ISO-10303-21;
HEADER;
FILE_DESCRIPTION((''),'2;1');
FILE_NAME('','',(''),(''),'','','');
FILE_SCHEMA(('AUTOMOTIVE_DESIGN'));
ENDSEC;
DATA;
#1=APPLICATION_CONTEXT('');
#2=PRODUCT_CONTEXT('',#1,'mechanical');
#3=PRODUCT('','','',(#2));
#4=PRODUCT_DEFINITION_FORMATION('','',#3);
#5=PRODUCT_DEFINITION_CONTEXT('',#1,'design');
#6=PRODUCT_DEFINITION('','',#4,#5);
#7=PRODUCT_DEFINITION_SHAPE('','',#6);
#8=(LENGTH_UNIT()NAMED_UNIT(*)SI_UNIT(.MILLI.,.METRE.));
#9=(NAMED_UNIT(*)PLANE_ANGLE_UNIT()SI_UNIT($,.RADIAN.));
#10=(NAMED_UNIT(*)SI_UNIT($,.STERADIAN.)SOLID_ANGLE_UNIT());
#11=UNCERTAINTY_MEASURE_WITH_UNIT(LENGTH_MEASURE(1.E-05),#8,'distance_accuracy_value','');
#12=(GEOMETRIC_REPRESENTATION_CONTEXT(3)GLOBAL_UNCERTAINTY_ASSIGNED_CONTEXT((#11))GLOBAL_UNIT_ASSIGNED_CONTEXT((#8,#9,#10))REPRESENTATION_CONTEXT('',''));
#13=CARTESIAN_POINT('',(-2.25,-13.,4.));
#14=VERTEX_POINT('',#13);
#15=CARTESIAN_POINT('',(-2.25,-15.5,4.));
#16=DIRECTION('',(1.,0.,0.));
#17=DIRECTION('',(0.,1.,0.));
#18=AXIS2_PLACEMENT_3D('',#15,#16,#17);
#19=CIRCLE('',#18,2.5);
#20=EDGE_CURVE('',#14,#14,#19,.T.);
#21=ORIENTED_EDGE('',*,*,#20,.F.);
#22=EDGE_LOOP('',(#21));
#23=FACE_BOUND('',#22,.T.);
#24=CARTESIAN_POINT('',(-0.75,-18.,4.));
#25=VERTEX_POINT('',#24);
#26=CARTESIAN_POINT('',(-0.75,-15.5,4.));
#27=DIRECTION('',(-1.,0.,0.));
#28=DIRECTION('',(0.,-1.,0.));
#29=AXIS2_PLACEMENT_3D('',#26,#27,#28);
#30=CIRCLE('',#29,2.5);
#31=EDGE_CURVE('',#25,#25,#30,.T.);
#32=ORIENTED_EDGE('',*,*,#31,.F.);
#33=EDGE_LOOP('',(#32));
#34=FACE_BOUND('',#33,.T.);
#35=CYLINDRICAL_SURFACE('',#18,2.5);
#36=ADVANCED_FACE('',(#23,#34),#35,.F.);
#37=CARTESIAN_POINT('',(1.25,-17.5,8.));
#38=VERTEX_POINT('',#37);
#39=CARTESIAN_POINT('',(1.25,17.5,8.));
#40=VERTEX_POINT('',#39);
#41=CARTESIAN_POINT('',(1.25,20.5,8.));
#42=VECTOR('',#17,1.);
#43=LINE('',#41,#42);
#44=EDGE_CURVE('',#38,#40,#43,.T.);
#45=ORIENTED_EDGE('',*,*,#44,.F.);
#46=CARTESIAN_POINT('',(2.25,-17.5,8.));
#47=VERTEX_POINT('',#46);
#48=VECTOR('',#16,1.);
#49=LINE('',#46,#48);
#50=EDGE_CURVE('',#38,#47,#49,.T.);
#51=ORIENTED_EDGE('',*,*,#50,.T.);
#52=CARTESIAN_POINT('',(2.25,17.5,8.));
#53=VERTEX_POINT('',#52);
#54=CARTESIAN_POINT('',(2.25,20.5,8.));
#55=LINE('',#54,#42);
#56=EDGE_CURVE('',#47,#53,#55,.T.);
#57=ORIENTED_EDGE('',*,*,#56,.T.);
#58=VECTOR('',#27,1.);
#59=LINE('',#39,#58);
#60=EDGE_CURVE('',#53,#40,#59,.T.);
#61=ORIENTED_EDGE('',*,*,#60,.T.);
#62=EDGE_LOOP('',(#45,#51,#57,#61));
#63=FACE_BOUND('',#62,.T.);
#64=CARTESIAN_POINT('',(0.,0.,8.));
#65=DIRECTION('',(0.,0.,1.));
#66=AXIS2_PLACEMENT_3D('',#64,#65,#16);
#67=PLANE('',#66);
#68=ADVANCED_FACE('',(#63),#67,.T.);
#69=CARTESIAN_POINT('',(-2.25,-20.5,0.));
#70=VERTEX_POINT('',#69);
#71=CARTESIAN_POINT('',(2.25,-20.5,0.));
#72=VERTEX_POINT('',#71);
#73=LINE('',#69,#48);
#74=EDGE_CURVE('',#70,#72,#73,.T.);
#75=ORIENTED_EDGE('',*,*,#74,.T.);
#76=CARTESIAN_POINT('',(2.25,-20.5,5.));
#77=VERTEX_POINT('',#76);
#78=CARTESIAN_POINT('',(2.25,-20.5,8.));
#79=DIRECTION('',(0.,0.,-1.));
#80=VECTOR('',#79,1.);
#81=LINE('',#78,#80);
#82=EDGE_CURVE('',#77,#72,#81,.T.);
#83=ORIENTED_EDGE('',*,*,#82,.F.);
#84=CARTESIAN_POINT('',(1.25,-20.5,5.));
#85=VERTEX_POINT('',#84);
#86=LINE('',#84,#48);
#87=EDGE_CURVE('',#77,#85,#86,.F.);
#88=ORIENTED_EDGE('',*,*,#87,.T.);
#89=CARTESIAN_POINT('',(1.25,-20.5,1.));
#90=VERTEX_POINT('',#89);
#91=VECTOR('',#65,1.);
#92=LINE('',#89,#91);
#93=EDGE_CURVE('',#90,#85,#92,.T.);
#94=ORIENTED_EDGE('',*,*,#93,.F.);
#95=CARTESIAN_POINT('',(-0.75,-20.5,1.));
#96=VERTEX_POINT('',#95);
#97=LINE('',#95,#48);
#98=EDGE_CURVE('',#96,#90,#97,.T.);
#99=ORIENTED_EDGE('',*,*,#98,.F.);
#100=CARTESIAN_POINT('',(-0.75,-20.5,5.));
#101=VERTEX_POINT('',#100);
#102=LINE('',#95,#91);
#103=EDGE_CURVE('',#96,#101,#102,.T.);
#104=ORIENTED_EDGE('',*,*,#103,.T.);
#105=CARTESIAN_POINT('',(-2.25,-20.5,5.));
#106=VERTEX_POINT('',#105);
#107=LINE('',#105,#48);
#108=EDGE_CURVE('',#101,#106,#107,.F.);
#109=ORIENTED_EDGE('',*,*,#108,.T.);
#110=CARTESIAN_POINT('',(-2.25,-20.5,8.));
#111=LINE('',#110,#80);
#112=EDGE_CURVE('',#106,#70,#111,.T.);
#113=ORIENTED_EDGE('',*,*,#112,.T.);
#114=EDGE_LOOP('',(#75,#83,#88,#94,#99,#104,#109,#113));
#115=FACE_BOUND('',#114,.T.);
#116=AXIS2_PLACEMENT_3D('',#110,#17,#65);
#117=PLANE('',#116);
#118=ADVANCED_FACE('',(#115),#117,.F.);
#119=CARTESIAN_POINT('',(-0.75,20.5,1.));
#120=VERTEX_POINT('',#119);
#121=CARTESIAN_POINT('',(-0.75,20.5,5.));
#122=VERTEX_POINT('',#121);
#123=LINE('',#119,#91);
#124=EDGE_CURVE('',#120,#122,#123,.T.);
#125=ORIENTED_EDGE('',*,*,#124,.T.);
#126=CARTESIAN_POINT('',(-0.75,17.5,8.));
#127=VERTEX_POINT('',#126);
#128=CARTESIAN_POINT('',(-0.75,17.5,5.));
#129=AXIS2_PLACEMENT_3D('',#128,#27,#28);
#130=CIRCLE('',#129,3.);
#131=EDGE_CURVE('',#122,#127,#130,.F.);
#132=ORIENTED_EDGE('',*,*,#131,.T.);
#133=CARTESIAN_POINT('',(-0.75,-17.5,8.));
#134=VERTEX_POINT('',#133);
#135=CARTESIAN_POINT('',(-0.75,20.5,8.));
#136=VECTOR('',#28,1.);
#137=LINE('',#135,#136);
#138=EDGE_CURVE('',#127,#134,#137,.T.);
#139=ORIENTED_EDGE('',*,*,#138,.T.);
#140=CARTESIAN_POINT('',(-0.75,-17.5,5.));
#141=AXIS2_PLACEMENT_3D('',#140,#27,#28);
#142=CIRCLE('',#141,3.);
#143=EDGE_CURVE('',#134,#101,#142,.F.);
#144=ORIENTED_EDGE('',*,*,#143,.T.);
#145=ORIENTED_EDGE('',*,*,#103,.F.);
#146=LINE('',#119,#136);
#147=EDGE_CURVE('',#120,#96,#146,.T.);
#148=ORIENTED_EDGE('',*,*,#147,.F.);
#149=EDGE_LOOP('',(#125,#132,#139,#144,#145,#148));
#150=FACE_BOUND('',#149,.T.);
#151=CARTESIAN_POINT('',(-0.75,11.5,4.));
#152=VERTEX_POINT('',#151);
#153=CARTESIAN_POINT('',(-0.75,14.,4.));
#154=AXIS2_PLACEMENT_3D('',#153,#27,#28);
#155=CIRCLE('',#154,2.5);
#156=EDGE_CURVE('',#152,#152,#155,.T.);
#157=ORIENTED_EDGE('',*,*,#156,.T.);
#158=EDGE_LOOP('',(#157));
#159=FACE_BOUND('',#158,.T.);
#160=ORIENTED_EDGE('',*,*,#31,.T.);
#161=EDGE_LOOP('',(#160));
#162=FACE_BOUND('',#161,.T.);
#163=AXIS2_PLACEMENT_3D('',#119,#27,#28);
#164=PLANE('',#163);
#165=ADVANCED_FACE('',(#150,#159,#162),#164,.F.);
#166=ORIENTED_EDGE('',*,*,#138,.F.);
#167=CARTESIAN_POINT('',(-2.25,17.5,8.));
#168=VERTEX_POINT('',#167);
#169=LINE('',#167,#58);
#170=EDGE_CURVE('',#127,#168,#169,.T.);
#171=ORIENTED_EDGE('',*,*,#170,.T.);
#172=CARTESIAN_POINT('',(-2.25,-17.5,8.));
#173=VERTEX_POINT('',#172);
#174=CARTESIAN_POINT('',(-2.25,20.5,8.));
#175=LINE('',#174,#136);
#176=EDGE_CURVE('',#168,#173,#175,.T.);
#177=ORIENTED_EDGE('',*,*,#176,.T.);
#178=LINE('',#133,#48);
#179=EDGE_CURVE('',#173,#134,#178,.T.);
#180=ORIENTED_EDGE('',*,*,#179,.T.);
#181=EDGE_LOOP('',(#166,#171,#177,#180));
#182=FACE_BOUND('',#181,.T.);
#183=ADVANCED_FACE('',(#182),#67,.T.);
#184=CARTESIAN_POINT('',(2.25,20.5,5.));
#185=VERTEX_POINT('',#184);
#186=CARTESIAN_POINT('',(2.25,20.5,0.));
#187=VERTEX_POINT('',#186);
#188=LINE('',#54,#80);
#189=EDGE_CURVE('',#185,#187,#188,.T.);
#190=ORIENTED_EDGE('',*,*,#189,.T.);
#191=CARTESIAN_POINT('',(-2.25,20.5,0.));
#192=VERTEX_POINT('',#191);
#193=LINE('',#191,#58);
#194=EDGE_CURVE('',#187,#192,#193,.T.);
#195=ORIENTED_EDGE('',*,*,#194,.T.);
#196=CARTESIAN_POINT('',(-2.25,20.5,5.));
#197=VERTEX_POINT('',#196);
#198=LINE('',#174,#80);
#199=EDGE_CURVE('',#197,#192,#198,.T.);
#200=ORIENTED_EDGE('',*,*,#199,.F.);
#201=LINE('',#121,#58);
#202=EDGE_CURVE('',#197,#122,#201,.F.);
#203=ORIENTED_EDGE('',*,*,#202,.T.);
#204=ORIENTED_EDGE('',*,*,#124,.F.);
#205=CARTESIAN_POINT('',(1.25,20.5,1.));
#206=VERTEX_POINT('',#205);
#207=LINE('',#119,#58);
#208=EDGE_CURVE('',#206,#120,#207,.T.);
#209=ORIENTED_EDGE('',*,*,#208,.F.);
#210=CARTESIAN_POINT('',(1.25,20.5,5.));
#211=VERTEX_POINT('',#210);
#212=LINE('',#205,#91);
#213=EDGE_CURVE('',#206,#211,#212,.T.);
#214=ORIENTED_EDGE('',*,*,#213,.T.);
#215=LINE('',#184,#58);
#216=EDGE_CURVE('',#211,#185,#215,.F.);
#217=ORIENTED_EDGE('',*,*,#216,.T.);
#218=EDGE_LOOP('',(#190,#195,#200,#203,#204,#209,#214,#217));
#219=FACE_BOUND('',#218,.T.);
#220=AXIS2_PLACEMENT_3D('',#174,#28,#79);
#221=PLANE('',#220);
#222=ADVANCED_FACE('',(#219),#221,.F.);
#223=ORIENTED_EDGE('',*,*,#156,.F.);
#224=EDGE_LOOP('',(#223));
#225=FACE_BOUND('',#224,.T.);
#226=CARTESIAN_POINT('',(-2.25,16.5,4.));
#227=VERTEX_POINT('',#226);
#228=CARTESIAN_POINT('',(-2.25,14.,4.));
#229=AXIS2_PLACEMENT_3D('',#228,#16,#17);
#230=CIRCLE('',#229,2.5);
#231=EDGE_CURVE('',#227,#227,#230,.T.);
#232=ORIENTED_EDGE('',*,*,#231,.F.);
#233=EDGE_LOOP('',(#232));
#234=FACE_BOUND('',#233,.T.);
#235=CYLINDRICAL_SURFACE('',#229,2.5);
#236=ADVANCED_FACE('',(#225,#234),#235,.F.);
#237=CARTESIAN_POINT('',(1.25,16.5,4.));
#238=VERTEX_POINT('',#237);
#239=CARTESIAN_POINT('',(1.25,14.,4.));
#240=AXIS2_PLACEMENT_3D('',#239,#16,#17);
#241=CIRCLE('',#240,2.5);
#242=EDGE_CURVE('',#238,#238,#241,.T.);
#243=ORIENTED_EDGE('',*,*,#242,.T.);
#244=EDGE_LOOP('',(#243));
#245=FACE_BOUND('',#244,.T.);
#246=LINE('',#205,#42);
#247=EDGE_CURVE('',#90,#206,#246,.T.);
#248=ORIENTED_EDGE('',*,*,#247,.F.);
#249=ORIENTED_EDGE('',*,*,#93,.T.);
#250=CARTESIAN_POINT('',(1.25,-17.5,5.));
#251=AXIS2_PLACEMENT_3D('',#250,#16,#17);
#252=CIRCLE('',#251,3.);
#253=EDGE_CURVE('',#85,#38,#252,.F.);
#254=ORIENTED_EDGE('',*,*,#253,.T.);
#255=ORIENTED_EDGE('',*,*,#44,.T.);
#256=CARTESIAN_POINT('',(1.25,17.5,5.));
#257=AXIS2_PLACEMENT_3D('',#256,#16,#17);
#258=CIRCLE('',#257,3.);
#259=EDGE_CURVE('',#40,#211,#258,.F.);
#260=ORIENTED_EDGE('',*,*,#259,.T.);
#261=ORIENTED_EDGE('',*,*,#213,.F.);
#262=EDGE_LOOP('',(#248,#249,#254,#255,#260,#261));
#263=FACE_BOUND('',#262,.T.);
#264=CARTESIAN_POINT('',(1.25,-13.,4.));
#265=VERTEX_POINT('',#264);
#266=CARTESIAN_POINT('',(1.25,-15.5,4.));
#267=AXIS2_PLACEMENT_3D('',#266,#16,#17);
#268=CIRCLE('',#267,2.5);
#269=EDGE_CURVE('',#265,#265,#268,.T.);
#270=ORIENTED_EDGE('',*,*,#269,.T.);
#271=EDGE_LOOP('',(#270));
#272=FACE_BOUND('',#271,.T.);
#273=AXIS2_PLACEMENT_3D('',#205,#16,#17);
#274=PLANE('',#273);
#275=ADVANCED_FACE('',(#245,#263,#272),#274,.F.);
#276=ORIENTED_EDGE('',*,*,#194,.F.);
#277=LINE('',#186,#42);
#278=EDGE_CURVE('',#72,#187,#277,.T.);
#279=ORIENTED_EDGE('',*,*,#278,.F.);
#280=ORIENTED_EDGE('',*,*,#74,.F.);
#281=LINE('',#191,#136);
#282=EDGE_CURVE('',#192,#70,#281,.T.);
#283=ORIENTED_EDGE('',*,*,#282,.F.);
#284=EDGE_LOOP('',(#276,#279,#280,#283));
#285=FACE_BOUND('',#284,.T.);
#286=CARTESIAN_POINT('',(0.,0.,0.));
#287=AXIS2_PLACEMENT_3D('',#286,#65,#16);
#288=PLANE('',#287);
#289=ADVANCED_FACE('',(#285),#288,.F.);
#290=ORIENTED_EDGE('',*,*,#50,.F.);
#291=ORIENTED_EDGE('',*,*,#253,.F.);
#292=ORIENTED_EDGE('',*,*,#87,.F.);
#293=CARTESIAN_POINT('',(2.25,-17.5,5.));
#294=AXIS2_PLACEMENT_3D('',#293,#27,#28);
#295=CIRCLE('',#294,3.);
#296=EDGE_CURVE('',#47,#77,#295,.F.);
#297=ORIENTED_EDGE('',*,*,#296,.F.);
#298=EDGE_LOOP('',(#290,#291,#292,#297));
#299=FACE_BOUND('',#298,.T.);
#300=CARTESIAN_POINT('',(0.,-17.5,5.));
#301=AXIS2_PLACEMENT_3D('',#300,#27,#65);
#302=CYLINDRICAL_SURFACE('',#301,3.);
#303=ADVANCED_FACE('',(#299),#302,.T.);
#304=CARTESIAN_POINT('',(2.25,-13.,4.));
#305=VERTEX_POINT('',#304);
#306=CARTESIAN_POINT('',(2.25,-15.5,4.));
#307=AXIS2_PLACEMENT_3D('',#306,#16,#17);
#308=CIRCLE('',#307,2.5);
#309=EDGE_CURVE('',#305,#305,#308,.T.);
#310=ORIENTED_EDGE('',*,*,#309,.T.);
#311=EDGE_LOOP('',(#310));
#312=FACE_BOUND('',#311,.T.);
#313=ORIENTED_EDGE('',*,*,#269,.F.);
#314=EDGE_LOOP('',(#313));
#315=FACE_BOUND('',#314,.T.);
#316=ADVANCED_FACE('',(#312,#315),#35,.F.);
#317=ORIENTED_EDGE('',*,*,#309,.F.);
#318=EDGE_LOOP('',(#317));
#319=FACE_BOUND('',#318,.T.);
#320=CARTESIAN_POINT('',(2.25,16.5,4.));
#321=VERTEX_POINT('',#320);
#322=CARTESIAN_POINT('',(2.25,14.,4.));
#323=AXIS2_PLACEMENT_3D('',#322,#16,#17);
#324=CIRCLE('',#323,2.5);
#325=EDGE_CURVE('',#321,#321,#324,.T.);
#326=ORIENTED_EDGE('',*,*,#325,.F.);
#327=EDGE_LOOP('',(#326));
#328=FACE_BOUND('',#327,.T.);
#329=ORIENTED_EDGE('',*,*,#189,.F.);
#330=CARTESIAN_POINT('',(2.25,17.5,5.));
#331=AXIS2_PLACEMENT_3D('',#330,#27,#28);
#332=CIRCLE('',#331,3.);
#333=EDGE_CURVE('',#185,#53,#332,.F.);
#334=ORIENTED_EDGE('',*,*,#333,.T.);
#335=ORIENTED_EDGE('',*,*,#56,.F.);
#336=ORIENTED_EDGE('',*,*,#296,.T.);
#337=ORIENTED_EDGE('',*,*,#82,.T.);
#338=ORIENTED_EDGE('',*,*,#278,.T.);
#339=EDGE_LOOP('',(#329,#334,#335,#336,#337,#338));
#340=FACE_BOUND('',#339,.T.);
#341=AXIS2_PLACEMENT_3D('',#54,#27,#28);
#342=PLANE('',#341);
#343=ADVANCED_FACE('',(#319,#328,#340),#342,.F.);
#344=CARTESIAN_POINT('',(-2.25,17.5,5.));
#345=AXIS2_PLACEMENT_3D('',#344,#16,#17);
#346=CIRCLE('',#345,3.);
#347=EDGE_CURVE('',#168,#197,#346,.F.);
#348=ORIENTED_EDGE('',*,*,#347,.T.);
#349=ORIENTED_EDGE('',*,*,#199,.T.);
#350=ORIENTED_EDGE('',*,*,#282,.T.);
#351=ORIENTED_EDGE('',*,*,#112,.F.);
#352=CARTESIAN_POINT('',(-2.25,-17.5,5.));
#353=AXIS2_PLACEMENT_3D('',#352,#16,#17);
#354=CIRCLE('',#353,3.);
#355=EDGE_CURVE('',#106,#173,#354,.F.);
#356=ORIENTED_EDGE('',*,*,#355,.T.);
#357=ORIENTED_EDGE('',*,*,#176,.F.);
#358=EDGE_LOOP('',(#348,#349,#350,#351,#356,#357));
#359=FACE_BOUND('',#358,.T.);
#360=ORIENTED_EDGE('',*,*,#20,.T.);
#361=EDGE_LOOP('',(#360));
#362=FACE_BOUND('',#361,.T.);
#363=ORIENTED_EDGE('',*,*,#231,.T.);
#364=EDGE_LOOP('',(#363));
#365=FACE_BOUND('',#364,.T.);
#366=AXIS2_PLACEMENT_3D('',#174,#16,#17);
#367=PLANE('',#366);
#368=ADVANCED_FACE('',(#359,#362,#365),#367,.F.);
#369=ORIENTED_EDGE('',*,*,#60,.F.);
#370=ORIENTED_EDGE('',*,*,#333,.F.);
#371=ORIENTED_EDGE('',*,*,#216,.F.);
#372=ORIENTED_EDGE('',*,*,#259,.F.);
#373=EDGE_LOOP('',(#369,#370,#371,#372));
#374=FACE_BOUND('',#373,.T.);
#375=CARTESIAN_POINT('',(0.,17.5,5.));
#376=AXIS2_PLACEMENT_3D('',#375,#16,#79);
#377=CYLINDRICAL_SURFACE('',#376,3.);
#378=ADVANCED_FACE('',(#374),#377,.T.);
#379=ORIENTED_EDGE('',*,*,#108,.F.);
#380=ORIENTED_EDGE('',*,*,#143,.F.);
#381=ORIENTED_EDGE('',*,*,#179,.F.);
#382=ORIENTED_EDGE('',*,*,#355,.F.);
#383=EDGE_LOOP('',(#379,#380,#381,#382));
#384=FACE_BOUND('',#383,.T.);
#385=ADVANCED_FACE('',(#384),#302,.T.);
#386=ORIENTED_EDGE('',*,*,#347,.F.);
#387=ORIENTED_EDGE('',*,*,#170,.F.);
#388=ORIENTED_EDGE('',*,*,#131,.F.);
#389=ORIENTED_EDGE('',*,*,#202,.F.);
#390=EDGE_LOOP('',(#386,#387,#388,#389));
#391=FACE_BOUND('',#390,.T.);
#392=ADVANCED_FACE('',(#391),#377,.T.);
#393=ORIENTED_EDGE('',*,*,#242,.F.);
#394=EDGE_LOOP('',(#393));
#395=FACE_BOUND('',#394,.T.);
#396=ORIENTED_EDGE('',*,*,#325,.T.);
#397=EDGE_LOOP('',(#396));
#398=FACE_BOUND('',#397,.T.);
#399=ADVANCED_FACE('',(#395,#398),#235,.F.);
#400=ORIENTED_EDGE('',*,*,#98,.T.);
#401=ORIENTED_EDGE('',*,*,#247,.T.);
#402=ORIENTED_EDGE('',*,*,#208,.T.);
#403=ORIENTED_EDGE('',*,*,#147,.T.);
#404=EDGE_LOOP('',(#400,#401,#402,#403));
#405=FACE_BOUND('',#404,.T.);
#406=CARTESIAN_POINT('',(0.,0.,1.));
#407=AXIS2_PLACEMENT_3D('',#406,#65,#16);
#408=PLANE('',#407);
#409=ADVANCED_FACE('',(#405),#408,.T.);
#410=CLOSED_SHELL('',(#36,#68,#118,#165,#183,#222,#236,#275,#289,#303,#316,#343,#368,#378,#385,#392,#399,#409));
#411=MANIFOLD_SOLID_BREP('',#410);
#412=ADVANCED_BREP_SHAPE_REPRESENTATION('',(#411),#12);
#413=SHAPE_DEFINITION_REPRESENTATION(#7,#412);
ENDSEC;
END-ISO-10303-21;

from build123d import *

# Parameters (mm, degrees)
SKETCH_1_W          = 4.5
SKETCH_1_H          = 41
EXTRUDE_1_DEPTH     = 8
SKETCH_3_W          = 2
SKETCH_3_H          = 41
CUT_EXTRUDE_1_DEPTH = 7
SKETCH_5_R          = 2.5
CUT_EXTRUDE_2_DEPTH = 23.461077445
FILLET_1_R          = 3


with BuildPart() as part:
    # Эскиз1 → Бобышка-Вытянуть1 (new body)
    with BuildSketch(Plane.XY):
        Rectangle(SKETCH_1_W, SKETCH_1_H)
    extrude(amount=EXTRUDE_1_DEPTH)

    # Эскиз3 → Вырез-Вытянуть1 (cut)
    with BuildSketch(Plane.XY.offset(8)):
        with Locations((0.25, 0)):
            Rectangle(SKETCH_3_W, SKETCH_3_H)
    extrude(amount=-CUT_EXTRUDE_1_DEPTH, mode=Mode.SUBTRACT)

    # Эскиз5 → Вырез-Вытянуть2 (cut, through all)
    with BuildSketch(Plane(origin=(2.25, 0, 0), x_dir=(0, 0, -1), z_dir=(1, 0, 0))):
        with Locations(Location((-4, 14, 0), (0, 0, 90))):
            Circle(SKETCH_5_R)
        with Locations(Location((-4, -15.5, 0), (0, 0, 90))):
            Circle(SKETCH_5_R)
    extrude(amount=-CUT_EXTRUDE_2_DEPTH, mode=Mode.SUBTRACT)

    # Скругление1
    fillet_1_edges = [part.edges().sort_by_distance(p)[0] for p in [
        (-1.5, 20.5, 8),
        (1.75, -20.5, 8),
        (-1.5, -20.5, 8),
        (1.75, 20.5, 8),
    ]]
    fillet(fillet_1_edges, radius=FILLET_1_R)


solid = part.part
